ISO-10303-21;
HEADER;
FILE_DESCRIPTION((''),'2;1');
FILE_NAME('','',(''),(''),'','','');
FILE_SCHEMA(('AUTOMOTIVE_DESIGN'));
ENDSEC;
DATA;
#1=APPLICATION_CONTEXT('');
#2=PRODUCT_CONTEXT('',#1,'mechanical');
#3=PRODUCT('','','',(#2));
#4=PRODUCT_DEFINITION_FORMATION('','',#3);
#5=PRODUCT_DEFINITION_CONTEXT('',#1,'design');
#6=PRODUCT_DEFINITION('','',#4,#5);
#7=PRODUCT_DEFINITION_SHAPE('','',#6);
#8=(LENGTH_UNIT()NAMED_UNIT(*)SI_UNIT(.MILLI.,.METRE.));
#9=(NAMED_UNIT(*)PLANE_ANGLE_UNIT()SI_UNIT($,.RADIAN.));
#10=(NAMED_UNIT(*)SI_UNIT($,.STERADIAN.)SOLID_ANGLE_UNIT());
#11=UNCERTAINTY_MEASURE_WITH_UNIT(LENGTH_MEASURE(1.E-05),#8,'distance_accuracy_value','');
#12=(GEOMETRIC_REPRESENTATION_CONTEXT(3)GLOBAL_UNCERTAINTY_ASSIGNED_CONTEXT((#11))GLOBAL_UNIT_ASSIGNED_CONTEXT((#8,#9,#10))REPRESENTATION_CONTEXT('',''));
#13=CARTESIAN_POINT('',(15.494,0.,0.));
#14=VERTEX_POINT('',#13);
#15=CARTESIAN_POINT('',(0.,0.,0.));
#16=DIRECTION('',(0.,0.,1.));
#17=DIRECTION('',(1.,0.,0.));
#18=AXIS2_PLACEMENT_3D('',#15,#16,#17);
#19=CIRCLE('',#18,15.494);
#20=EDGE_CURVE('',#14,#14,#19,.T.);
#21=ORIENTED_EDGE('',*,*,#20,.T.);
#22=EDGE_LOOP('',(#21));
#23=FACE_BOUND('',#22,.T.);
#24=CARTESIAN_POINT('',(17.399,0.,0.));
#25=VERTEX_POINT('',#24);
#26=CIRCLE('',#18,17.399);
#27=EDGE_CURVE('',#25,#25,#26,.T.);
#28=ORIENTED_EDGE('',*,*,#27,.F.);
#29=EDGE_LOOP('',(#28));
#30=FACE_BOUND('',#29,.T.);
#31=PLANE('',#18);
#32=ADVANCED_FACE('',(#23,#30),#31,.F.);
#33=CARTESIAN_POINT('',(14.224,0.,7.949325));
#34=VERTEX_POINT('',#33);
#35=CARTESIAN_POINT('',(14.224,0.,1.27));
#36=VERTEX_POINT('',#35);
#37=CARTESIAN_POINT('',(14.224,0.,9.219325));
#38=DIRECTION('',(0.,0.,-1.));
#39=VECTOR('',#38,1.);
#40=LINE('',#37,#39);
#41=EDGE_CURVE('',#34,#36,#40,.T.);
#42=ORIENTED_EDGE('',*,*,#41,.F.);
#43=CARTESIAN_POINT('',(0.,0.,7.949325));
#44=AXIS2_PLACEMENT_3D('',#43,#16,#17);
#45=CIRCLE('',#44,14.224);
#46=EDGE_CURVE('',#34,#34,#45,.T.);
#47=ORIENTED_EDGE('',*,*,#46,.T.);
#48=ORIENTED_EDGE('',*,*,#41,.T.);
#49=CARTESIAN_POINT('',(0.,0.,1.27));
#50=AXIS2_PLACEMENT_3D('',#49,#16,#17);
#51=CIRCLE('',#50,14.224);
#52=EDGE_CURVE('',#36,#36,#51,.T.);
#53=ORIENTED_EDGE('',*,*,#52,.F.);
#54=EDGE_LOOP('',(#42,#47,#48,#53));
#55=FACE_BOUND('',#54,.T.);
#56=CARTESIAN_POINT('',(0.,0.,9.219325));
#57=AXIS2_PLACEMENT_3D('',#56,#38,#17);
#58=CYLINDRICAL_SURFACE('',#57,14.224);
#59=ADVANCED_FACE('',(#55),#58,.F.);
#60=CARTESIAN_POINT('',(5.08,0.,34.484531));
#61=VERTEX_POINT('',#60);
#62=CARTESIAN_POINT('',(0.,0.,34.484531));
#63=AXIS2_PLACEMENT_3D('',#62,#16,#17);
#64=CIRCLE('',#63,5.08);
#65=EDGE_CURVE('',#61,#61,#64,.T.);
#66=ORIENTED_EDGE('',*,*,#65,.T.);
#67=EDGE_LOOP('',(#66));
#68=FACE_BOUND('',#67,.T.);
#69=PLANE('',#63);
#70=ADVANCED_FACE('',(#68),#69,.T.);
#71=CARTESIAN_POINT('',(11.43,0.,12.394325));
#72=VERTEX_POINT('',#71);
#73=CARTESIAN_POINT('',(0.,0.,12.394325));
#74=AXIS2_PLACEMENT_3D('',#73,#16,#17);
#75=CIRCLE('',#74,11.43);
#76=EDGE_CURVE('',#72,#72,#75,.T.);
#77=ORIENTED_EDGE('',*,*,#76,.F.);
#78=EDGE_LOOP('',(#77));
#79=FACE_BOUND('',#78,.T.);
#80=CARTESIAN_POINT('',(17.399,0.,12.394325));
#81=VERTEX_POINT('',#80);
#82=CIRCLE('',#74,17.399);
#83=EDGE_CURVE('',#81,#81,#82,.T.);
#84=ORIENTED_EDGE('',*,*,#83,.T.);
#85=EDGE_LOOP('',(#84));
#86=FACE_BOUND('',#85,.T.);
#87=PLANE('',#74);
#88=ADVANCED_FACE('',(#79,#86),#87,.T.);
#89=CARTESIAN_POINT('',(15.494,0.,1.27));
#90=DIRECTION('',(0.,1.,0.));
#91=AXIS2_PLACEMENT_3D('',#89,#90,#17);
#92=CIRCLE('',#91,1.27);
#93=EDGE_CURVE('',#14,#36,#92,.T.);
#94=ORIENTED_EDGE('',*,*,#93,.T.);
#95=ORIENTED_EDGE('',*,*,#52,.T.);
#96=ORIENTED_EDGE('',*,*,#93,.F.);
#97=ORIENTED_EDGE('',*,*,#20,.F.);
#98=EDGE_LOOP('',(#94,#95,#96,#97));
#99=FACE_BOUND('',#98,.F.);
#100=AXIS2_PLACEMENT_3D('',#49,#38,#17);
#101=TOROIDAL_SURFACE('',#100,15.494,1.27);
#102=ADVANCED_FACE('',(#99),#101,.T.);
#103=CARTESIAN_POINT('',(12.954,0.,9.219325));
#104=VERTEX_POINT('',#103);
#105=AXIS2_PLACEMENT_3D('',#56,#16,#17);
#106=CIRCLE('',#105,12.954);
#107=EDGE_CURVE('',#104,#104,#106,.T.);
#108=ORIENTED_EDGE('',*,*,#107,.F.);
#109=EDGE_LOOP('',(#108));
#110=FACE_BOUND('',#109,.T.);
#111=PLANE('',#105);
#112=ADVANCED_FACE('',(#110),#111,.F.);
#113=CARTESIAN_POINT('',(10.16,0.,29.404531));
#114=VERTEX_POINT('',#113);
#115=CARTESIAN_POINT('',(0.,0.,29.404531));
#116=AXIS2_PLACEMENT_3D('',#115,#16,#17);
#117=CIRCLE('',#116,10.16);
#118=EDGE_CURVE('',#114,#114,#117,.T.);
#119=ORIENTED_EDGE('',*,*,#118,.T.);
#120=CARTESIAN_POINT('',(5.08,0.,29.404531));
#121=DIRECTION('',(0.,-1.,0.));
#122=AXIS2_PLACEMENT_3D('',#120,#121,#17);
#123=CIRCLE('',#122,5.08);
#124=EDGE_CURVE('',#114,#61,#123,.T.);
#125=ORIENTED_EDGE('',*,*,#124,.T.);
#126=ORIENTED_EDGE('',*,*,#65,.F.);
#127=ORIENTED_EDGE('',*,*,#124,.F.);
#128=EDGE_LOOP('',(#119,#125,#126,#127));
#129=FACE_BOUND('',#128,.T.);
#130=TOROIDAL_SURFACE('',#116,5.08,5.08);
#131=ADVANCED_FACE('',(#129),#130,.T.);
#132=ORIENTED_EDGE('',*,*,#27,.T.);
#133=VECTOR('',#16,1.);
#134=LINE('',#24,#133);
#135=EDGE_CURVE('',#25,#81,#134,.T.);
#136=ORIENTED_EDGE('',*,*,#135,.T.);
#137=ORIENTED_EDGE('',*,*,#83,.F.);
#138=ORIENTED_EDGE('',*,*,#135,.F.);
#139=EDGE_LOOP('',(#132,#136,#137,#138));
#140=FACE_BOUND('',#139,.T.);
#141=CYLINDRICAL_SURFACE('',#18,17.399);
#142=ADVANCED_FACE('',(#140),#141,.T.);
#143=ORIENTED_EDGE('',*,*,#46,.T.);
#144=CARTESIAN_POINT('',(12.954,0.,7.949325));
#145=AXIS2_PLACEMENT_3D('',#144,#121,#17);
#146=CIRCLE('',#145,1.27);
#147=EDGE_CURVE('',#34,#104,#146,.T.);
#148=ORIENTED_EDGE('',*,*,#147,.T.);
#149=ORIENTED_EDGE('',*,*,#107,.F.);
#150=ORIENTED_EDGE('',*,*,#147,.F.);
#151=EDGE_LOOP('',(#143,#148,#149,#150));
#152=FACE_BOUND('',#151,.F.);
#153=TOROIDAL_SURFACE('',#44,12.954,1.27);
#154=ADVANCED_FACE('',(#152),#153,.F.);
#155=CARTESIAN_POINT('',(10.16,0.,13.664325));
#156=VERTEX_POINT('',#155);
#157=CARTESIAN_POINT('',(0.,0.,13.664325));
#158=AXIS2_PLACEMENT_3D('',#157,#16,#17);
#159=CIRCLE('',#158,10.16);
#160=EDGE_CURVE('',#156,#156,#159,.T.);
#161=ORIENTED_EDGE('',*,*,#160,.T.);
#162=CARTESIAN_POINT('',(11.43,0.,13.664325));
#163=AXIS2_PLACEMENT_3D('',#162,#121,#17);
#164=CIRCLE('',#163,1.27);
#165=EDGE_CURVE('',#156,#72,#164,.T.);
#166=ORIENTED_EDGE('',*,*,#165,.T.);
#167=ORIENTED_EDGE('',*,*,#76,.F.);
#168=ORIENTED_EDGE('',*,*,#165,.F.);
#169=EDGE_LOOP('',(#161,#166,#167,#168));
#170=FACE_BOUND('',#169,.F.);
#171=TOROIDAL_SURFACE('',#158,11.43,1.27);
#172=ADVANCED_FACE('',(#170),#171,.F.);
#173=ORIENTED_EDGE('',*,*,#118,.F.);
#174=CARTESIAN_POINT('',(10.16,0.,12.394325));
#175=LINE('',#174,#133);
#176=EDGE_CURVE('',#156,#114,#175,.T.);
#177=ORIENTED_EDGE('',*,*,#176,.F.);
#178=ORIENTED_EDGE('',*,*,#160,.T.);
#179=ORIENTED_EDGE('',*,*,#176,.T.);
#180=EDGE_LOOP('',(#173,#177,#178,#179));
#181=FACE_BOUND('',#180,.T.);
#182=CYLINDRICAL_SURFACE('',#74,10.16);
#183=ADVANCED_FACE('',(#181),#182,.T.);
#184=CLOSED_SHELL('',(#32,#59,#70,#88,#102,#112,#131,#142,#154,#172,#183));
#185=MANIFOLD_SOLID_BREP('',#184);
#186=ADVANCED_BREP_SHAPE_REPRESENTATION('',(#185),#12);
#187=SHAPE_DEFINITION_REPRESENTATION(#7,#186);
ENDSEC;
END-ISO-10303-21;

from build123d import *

# Parameters (mm, degrees)
F2_R = 5.08
F3_R = 1.27
F4_R = 1.27


with BuildPart() as f1:
    # F0 (on Front) → F1 (revolve)
    with BuildSketch(Plane.XZ):
        Polygon((14.224, 0), (17.399, 0), (17.399, 12.394325), (10.16, 12.394325), (10.16, 34.484531), (0, 34.484531), (0, 9.219325), (14.224, 9.219325), align=None)
    revolve(axis=Axis((0, 0, 21.851928), (0, 0, 1)))

    # F2
    f2_edges = [f1.edges().sort_by_distance(p)[0] for p in [
        (-10.16, 0, 34.484531),
    ]]
    fillet(f2_edges, radius=F2_R)

    # F3
    f3_edges = [f1.edges().sort_by_distance(p)[0] for p in [
        (-10.16, 0, 12.394325),
    ]]
    fillet(f3_edges, radius=F3_R)

    # F4
    f4_edges = [f1.edges().sort_by_distance(p)[0] for p in [
        (-14.224, 0, 9.219325),
        (-14.224, 0, 0),
    ]]
    fillet(f4_edges, radius=F4_R)


solid = f1.part
